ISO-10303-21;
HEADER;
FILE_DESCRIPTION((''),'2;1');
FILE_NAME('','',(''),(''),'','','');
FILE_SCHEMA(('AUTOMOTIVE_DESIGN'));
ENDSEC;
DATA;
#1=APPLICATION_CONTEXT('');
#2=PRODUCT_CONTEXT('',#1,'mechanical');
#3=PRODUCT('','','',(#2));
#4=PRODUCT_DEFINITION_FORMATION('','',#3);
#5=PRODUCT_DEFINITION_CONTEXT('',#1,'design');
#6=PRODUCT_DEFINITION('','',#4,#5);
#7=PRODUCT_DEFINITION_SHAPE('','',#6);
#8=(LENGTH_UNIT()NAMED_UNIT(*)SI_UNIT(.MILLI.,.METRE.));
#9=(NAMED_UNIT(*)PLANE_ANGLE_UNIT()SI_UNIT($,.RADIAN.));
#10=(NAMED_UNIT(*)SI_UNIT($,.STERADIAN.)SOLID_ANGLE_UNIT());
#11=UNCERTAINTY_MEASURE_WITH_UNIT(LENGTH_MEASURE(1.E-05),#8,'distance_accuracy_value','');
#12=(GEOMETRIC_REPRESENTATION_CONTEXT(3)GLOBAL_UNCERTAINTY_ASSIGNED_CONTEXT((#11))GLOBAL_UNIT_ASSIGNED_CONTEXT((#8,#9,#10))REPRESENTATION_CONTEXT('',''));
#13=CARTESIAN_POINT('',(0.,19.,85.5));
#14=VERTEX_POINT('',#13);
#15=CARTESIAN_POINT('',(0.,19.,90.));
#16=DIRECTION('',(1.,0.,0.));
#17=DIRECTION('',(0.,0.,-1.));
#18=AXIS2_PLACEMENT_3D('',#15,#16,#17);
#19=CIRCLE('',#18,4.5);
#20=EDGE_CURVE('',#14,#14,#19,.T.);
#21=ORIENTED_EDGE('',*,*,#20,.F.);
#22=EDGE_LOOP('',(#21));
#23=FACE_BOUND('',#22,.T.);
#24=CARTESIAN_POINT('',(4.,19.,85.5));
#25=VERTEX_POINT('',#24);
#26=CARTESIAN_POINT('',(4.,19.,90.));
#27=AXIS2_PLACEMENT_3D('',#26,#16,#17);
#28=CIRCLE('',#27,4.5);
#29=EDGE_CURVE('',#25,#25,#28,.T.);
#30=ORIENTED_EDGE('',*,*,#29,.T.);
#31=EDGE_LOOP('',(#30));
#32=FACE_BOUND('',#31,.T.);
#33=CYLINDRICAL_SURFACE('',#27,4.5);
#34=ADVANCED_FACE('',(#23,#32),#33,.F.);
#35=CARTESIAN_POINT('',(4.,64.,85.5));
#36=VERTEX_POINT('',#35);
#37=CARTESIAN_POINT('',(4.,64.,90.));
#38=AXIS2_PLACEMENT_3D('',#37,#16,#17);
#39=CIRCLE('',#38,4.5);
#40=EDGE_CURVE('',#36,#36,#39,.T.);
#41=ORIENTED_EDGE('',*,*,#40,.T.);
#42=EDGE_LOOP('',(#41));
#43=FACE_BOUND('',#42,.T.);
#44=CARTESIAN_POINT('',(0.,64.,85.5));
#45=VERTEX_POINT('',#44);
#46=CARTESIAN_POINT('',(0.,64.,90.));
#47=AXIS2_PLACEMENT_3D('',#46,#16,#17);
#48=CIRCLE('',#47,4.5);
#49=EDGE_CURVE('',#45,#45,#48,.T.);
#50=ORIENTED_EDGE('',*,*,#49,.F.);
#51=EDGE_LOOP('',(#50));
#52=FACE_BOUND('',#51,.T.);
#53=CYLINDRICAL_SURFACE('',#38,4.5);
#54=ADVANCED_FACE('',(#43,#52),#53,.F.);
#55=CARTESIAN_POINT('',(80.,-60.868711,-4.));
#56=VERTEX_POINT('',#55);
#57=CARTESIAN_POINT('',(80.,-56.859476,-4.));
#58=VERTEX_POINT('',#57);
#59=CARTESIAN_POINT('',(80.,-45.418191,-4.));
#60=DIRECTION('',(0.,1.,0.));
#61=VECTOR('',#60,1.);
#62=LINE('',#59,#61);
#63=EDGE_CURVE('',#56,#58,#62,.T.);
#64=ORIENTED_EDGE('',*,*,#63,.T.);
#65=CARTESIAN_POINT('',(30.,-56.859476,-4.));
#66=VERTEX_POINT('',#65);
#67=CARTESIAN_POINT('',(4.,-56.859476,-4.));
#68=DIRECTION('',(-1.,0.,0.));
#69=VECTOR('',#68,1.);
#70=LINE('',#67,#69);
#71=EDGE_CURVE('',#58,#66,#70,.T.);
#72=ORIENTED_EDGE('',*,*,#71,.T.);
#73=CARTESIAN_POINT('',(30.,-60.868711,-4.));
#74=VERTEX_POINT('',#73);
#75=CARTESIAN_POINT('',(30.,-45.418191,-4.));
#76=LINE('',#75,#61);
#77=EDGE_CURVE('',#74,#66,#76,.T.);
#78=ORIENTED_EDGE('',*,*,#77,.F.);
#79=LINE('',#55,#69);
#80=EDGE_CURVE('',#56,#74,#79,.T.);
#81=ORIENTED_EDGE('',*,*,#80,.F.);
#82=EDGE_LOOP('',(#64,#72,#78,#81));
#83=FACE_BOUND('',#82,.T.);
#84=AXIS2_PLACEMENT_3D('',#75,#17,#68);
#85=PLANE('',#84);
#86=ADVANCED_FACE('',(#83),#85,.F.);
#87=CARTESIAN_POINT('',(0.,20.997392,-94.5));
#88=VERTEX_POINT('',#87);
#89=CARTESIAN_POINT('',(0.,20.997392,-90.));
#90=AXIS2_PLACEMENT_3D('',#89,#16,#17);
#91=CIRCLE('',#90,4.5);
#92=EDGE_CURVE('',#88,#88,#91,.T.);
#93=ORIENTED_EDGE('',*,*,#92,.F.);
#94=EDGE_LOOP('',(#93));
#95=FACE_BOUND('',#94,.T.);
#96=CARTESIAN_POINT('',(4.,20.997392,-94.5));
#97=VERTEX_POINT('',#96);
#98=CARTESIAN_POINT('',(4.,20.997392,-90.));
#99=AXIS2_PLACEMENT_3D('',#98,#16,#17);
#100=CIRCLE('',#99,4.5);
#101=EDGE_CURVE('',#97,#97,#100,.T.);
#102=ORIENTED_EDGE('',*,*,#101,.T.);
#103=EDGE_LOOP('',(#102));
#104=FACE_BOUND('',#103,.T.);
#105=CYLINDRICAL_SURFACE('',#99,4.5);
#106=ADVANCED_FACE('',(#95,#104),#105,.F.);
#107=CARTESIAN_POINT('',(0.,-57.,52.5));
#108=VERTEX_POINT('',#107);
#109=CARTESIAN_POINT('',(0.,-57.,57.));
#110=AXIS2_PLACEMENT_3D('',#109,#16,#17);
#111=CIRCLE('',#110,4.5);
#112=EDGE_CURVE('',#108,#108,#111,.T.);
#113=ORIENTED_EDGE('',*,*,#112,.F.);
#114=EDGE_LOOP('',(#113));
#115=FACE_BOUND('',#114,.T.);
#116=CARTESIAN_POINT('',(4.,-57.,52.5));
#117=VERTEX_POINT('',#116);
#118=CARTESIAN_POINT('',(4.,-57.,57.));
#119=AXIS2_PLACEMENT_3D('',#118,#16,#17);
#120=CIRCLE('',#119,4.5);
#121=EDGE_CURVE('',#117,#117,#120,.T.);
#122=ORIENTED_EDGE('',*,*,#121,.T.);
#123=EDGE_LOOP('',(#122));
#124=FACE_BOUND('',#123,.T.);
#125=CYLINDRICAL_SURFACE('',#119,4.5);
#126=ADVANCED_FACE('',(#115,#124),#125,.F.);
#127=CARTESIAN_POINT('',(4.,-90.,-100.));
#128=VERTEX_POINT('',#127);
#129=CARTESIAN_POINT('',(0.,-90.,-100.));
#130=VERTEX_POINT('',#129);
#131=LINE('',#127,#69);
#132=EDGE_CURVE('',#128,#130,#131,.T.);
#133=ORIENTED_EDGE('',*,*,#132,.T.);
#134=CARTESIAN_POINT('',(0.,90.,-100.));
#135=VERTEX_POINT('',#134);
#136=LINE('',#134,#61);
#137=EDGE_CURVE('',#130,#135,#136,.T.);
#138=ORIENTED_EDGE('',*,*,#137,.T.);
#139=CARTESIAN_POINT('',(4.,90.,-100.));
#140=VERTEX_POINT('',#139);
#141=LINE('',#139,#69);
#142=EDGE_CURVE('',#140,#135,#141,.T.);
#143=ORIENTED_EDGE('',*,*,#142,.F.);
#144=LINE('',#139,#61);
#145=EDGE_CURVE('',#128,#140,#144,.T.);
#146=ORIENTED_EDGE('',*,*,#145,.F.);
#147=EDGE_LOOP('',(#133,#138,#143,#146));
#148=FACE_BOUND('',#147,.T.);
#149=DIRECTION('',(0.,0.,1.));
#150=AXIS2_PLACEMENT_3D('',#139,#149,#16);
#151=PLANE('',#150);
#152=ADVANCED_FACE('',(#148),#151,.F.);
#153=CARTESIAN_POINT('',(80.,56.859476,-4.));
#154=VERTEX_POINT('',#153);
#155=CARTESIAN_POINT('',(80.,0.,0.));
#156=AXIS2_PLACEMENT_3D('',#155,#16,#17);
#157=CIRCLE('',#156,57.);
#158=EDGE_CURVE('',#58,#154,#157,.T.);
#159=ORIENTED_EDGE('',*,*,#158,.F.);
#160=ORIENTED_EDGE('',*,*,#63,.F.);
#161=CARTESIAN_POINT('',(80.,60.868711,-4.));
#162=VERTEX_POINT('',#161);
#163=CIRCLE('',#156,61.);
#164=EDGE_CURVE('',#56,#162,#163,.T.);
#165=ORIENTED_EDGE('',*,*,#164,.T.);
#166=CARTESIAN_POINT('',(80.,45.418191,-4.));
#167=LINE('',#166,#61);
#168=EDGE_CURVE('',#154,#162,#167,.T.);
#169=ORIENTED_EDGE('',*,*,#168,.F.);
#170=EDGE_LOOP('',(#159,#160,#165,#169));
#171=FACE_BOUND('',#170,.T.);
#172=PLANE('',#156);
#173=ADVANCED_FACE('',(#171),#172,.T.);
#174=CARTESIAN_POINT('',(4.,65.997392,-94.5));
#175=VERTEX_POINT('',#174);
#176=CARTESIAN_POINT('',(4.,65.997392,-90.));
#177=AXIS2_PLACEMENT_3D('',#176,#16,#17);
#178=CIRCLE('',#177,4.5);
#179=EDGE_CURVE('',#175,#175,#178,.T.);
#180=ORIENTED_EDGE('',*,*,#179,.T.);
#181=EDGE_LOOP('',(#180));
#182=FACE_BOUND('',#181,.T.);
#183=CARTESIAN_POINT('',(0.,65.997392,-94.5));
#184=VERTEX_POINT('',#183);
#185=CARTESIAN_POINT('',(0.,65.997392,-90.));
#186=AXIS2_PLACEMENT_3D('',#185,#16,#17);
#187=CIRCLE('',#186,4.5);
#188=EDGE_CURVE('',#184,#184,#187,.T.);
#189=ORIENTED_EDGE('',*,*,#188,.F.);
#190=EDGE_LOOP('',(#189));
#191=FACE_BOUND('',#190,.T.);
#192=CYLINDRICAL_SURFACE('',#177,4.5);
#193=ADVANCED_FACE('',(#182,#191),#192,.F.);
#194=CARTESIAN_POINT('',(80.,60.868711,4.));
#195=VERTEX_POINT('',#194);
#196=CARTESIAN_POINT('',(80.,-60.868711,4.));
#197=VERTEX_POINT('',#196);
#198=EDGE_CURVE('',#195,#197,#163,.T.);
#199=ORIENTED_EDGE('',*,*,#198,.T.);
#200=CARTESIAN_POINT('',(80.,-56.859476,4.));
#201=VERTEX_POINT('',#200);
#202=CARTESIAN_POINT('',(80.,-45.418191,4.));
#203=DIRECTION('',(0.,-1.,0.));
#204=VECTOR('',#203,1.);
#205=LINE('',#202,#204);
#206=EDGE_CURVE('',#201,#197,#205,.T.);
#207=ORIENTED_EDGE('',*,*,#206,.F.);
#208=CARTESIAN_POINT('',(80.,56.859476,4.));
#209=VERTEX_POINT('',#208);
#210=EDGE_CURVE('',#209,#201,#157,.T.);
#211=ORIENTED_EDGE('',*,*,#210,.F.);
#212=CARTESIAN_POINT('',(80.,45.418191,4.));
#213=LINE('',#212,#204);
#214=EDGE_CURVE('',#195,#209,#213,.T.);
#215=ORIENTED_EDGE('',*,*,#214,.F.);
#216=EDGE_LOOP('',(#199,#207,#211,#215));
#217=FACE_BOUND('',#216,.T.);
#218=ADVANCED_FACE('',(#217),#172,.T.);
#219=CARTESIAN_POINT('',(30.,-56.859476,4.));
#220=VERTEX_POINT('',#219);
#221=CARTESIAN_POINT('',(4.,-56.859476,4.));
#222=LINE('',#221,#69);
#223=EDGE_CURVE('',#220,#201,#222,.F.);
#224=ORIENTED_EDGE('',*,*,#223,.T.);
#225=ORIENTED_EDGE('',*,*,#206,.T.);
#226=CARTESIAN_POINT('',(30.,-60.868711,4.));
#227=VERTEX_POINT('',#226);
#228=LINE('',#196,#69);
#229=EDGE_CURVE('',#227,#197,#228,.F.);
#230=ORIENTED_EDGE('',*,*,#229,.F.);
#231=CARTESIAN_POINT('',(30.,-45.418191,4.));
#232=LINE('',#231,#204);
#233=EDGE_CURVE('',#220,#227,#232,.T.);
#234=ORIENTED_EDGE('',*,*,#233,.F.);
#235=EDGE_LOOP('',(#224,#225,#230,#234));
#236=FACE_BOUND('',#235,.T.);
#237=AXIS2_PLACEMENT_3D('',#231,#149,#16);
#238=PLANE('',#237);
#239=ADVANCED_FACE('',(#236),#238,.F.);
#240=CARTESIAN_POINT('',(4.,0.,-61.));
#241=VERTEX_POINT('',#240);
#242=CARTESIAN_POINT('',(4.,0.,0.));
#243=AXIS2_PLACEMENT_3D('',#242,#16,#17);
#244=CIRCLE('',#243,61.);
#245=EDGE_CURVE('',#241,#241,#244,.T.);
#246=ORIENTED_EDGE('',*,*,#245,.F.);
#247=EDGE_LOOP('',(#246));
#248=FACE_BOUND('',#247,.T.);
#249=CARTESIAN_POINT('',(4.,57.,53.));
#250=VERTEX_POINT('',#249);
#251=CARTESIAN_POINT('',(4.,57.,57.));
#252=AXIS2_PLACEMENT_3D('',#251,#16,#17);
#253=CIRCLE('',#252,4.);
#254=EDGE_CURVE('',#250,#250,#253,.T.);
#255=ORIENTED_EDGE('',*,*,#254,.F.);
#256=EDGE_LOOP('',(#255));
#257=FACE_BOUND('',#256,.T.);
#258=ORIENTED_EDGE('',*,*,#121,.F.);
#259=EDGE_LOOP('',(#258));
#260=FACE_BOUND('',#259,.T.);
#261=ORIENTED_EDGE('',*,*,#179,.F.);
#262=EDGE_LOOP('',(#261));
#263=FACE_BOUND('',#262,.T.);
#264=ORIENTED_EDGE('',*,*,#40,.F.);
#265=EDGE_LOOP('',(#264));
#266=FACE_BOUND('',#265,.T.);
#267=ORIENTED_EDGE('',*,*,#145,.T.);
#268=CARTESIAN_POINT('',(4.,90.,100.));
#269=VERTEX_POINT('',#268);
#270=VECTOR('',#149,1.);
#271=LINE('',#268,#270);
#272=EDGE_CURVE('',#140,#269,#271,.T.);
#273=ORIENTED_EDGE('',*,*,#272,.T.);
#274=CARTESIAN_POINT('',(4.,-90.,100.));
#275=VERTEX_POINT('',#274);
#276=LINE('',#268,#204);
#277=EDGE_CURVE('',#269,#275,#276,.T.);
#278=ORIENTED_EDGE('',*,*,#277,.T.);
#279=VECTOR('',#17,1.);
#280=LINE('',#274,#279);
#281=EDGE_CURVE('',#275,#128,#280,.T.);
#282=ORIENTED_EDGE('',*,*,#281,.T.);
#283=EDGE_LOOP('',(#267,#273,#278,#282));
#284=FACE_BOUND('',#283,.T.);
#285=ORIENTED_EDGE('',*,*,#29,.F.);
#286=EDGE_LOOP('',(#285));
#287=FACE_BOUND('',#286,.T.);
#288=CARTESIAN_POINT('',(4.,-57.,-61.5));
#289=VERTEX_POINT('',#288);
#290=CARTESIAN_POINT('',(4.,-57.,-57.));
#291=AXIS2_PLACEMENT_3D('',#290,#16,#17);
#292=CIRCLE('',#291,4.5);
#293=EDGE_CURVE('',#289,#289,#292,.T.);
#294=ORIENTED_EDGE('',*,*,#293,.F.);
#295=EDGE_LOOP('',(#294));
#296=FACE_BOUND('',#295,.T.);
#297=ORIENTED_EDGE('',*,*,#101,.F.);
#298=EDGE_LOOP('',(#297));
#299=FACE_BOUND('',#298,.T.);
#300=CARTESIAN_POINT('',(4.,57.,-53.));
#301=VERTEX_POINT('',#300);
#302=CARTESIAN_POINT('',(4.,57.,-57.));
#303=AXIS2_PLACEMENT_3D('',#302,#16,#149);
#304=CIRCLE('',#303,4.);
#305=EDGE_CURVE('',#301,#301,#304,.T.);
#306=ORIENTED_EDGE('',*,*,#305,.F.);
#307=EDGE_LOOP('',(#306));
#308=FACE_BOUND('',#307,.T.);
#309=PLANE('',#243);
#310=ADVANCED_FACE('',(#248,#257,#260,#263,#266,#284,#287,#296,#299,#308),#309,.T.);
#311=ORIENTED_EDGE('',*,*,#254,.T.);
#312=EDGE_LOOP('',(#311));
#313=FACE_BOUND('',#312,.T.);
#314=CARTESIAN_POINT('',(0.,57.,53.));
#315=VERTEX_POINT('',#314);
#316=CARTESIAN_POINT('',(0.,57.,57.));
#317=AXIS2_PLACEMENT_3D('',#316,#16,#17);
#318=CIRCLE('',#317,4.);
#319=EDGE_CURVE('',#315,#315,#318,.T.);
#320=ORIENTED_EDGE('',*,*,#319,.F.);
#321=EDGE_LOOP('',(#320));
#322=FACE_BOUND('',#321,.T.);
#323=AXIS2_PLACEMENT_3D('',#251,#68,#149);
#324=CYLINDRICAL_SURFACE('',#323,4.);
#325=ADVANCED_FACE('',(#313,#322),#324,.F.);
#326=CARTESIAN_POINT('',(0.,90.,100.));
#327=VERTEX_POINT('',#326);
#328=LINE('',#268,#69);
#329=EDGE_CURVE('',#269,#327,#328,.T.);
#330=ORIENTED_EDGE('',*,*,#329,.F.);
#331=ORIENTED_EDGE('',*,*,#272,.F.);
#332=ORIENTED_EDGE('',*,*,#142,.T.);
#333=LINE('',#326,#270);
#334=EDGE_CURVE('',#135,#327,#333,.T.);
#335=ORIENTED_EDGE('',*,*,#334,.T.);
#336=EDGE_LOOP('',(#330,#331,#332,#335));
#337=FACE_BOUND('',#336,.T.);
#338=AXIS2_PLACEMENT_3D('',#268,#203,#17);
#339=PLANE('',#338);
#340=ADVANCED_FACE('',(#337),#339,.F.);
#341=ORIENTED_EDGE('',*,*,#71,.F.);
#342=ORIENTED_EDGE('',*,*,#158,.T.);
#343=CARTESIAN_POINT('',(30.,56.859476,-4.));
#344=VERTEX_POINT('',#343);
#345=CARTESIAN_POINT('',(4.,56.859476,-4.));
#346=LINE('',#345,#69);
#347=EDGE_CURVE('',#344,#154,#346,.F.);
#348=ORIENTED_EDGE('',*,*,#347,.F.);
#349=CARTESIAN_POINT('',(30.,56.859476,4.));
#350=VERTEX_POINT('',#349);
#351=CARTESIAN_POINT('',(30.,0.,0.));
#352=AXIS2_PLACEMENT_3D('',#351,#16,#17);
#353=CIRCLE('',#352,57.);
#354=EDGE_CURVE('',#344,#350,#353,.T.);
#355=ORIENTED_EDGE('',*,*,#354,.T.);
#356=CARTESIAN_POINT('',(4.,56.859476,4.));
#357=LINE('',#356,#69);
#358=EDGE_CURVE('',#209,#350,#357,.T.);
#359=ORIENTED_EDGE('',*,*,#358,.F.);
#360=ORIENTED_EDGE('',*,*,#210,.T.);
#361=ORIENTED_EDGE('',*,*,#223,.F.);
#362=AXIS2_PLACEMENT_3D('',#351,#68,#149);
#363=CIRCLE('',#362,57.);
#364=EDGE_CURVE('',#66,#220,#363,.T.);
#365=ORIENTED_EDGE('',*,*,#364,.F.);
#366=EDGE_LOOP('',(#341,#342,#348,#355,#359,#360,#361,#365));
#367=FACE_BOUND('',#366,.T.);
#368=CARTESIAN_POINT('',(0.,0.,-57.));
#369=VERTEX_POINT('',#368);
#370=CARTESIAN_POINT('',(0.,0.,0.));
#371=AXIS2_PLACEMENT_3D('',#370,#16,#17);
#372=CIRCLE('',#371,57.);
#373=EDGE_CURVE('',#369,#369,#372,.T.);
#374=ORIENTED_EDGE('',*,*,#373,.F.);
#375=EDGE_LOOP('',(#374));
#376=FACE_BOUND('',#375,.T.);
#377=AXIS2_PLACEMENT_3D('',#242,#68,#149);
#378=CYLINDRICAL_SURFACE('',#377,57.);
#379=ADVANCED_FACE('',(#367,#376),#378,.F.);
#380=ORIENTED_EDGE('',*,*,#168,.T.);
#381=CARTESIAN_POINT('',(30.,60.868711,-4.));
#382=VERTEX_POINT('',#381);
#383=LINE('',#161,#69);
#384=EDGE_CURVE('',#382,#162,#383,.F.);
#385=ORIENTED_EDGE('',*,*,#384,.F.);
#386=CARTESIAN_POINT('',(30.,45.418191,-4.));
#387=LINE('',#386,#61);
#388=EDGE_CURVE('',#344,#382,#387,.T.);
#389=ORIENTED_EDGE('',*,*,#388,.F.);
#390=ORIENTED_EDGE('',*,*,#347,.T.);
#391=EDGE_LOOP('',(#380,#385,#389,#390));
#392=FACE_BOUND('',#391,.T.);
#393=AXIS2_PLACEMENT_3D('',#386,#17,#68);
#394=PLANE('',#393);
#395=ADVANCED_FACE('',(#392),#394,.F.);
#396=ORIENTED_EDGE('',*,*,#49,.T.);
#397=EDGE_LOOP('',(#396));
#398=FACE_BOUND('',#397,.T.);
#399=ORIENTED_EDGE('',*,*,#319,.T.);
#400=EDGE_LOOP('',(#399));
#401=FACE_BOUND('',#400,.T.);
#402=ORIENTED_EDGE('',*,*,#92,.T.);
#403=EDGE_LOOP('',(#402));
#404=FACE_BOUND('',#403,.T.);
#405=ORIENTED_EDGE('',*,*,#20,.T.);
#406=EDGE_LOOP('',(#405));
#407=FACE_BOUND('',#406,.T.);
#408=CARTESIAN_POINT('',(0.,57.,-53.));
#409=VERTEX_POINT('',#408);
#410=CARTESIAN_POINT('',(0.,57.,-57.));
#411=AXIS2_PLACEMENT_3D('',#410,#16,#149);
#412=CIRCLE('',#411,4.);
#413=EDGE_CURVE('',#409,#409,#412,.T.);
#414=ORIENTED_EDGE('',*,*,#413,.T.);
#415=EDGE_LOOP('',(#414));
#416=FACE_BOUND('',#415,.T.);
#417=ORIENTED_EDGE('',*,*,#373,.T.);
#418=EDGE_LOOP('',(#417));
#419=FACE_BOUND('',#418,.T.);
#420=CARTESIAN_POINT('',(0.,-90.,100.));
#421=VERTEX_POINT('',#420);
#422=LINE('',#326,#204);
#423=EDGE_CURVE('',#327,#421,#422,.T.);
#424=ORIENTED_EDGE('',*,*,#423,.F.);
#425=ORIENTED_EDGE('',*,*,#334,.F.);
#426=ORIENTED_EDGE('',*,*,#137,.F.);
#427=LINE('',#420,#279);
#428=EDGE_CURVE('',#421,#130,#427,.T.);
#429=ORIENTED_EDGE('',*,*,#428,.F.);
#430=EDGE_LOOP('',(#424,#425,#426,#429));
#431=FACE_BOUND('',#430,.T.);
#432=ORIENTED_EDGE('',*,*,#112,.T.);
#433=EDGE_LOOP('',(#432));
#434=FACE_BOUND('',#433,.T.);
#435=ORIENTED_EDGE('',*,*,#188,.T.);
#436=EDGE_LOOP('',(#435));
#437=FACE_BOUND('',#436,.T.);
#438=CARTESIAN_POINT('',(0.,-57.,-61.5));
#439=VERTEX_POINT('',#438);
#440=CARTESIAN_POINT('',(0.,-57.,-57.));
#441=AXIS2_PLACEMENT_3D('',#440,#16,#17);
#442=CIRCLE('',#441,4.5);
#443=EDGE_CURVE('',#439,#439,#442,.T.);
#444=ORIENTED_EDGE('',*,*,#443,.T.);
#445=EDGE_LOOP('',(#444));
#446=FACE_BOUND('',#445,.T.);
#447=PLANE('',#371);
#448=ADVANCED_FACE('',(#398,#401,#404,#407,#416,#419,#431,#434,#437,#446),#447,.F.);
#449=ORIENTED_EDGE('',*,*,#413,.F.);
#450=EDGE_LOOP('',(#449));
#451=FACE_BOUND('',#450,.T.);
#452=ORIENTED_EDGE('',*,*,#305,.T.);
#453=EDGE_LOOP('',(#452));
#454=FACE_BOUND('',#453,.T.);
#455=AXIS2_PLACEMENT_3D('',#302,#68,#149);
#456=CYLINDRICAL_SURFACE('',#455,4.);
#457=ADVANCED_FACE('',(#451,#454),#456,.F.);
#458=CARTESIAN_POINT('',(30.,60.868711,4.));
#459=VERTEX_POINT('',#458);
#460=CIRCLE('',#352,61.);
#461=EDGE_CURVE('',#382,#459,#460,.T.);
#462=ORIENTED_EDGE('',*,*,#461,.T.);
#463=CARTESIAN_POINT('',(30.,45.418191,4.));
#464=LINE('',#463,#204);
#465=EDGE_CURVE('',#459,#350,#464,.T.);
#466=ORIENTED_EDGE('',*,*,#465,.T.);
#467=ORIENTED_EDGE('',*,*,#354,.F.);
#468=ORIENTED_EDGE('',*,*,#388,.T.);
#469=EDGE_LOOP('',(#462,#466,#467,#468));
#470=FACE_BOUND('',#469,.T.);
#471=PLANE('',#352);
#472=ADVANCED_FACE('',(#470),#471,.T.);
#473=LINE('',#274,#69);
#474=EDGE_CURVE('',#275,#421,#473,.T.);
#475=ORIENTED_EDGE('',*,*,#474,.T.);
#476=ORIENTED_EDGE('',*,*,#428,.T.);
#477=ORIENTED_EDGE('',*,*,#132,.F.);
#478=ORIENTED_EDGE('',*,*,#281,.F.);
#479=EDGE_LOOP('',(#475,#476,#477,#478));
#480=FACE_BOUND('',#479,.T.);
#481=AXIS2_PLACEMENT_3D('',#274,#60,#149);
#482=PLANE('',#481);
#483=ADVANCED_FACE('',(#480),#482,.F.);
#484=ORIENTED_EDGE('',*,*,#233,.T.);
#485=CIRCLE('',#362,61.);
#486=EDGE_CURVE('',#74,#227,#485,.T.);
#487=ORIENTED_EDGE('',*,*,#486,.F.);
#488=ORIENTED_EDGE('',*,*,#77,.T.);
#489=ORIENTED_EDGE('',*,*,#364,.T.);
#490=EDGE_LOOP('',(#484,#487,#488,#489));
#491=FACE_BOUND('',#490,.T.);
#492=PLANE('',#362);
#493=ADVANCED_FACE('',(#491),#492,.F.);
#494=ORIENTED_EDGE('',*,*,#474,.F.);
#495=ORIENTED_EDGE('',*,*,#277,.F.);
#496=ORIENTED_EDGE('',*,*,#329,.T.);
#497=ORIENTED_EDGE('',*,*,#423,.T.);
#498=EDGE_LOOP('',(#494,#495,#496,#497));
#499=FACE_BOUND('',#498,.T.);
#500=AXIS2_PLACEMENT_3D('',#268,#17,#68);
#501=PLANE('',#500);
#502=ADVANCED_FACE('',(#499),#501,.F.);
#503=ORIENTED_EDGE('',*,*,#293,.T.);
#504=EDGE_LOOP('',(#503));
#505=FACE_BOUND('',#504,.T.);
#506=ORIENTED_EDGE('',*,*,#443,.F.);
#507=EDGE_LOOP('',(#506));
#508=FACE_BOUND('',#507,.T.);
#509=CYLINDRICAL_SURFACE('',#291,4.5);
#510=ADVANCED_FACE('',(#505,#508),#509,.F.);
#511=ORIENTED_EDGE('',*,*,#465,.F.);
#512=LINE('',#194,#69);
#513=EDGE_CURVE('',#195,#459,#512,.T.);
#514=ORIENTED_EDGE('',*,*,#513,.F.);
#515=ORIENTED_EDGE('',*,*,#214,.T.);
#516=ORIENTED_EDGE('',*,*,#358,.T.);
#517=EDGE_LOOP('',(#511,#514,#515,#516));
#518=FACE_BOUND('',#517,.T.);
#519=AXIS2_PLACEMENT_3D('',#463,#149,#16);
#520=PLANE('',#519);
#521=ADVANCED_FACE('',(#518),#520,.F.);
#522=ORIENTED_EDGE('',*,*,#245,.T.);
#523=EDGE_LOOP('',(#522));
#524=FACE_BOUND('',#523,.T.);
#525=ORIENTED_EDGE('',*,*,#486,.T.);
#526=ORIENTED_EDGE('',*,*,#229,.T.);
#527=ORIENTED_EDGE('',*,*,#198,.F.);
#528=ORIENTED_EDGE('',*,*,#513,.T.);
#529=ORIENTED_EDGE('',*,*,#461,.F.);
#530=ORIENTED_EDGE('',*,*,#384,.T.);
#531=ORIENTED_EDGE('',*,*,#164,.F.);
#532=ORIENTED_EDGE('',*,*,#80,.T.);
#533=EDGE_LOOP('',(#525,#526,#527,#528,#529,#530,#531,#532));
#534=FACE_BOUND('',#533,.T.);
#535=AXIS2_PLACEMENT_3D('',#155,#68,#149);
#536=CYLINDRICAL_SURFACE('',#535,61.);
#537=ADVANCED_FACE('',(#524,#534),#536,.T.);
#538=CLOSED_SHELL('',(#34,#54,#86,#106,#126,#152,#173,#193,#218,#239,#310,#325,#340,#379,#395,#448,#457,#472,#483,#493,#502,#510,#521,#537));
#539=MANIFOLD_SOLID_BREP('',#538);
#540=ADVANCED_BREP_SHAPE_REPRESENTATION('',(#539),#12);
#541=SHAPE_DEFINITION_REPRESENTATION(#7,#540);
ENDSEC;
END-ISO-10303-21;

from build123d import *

# Parameters (mm, degrees)
CROQUIS1_W                       = 200
CROQUIS1_H                       = 180
CROQUIS1_R                       = 57
CROQUIS1_R_2                     = 4
SALIENTE_EXTRUIR1_DEPTH          = 4
CROQUIS2_R                       = 61
CROQUIS2_R_2                     = 57
SALIENTE_EXTRUIR2_DEPTH          = 76
CROQUIS3_W                       = 8
CROQUIS3_H                       = 23.163617774
CORTAR_EXTRUIR1_DEPTH            = 50
TALADRO_DE_MARGEN_PARA_M81_D     = 9
TALADRO_DE_MARGEN_PARA_M81_DEPTH = 4.999


with BuildPart() as part:
    # Croquis1 → Saliente-Extruir1 (new body)
    with BuildSketch(Plane(origin=(0, 0, 0), x_dir=(0, 0, -1), z_dir=(1, 0, 0))):
        Rectangle(CROQUIS1_W, CROQUIS1_H)
        Circle(CROQUIS1_R, mode=Mode.SUBTRACT)
        with Locations((-57, 57)):
            Circle(CROQUIS1_R_2, mode=Mode.SUBTRACT)
        with Locations(Location((57, 57, 0), (0, 0, 180))):
            Circle(CROQUIS1_R_2, mode=Mode.SUBTRACT)
        with Locations((57, -57)):
            Circle(CROQUIS1_R_2, mode=Mode.SUBTRACT)
        with Locations(Location((-57, -57, 0), (0, 0, 180))):
            Circle(CROQUIS1_R_2, mode=Mode.SUBTRACT)
    extrude(amount=SALIENTE_EXTRUIR1_DEPTH)

    # Croquis2 → Saliente-Extruir2 (add)
    with BuildSketch(Plane(origin=(4, 0, 0), x_dir=(0, 0, -1), z_dir=(1, 0, 0))):
        Circle(CROQUIS2_R)
        Circle(CROQUIS2_R_2, mode=Mode.SUBTRACT)
    extrude(amount=SALIENTE_EXTRUIR2_DEPTH)

    # Croquis3 → Cortar-Extruir1 (cut)
    with BuildSketch(Plane(origin=(80, 0, 0), x_dir=(0, 0, -1), z_dir=(1, 0, 0))):
        with Locations((0, 57)):
            Rectangle(CROQUIS3_W, CROQUIS3_H)
        with Locations((0, -57)):
            Rectangle(CROQUIS3_W, CROQUIS3_H)
    extrude(amount=-CORTAR_EXTRUIR1_DEPTH, mode=Mode.SUBTRACT)

    # Taladro de margen para M81
    with Locations(Plane(origin=(4, -7.41730184, -252.760845032), x_dir=(0, 0, -1), z_dir=(1, 0, 0))):
        with Locations((-342.760845032, 71.41730184), (-342.760845032, 26.41730184), (-162.760845032, 73.414694032), (-162.760845032, 28.414694032), (-195.760845032, -49.58269816), (-309.760845032, -49.58269816)):
            Hole(TALADRO_DE_MARGEN_PARA_M81_D / 2, depth=TALADRO_DE_MARGEN_PARA_M81_DEPTH)


solid = part.part
